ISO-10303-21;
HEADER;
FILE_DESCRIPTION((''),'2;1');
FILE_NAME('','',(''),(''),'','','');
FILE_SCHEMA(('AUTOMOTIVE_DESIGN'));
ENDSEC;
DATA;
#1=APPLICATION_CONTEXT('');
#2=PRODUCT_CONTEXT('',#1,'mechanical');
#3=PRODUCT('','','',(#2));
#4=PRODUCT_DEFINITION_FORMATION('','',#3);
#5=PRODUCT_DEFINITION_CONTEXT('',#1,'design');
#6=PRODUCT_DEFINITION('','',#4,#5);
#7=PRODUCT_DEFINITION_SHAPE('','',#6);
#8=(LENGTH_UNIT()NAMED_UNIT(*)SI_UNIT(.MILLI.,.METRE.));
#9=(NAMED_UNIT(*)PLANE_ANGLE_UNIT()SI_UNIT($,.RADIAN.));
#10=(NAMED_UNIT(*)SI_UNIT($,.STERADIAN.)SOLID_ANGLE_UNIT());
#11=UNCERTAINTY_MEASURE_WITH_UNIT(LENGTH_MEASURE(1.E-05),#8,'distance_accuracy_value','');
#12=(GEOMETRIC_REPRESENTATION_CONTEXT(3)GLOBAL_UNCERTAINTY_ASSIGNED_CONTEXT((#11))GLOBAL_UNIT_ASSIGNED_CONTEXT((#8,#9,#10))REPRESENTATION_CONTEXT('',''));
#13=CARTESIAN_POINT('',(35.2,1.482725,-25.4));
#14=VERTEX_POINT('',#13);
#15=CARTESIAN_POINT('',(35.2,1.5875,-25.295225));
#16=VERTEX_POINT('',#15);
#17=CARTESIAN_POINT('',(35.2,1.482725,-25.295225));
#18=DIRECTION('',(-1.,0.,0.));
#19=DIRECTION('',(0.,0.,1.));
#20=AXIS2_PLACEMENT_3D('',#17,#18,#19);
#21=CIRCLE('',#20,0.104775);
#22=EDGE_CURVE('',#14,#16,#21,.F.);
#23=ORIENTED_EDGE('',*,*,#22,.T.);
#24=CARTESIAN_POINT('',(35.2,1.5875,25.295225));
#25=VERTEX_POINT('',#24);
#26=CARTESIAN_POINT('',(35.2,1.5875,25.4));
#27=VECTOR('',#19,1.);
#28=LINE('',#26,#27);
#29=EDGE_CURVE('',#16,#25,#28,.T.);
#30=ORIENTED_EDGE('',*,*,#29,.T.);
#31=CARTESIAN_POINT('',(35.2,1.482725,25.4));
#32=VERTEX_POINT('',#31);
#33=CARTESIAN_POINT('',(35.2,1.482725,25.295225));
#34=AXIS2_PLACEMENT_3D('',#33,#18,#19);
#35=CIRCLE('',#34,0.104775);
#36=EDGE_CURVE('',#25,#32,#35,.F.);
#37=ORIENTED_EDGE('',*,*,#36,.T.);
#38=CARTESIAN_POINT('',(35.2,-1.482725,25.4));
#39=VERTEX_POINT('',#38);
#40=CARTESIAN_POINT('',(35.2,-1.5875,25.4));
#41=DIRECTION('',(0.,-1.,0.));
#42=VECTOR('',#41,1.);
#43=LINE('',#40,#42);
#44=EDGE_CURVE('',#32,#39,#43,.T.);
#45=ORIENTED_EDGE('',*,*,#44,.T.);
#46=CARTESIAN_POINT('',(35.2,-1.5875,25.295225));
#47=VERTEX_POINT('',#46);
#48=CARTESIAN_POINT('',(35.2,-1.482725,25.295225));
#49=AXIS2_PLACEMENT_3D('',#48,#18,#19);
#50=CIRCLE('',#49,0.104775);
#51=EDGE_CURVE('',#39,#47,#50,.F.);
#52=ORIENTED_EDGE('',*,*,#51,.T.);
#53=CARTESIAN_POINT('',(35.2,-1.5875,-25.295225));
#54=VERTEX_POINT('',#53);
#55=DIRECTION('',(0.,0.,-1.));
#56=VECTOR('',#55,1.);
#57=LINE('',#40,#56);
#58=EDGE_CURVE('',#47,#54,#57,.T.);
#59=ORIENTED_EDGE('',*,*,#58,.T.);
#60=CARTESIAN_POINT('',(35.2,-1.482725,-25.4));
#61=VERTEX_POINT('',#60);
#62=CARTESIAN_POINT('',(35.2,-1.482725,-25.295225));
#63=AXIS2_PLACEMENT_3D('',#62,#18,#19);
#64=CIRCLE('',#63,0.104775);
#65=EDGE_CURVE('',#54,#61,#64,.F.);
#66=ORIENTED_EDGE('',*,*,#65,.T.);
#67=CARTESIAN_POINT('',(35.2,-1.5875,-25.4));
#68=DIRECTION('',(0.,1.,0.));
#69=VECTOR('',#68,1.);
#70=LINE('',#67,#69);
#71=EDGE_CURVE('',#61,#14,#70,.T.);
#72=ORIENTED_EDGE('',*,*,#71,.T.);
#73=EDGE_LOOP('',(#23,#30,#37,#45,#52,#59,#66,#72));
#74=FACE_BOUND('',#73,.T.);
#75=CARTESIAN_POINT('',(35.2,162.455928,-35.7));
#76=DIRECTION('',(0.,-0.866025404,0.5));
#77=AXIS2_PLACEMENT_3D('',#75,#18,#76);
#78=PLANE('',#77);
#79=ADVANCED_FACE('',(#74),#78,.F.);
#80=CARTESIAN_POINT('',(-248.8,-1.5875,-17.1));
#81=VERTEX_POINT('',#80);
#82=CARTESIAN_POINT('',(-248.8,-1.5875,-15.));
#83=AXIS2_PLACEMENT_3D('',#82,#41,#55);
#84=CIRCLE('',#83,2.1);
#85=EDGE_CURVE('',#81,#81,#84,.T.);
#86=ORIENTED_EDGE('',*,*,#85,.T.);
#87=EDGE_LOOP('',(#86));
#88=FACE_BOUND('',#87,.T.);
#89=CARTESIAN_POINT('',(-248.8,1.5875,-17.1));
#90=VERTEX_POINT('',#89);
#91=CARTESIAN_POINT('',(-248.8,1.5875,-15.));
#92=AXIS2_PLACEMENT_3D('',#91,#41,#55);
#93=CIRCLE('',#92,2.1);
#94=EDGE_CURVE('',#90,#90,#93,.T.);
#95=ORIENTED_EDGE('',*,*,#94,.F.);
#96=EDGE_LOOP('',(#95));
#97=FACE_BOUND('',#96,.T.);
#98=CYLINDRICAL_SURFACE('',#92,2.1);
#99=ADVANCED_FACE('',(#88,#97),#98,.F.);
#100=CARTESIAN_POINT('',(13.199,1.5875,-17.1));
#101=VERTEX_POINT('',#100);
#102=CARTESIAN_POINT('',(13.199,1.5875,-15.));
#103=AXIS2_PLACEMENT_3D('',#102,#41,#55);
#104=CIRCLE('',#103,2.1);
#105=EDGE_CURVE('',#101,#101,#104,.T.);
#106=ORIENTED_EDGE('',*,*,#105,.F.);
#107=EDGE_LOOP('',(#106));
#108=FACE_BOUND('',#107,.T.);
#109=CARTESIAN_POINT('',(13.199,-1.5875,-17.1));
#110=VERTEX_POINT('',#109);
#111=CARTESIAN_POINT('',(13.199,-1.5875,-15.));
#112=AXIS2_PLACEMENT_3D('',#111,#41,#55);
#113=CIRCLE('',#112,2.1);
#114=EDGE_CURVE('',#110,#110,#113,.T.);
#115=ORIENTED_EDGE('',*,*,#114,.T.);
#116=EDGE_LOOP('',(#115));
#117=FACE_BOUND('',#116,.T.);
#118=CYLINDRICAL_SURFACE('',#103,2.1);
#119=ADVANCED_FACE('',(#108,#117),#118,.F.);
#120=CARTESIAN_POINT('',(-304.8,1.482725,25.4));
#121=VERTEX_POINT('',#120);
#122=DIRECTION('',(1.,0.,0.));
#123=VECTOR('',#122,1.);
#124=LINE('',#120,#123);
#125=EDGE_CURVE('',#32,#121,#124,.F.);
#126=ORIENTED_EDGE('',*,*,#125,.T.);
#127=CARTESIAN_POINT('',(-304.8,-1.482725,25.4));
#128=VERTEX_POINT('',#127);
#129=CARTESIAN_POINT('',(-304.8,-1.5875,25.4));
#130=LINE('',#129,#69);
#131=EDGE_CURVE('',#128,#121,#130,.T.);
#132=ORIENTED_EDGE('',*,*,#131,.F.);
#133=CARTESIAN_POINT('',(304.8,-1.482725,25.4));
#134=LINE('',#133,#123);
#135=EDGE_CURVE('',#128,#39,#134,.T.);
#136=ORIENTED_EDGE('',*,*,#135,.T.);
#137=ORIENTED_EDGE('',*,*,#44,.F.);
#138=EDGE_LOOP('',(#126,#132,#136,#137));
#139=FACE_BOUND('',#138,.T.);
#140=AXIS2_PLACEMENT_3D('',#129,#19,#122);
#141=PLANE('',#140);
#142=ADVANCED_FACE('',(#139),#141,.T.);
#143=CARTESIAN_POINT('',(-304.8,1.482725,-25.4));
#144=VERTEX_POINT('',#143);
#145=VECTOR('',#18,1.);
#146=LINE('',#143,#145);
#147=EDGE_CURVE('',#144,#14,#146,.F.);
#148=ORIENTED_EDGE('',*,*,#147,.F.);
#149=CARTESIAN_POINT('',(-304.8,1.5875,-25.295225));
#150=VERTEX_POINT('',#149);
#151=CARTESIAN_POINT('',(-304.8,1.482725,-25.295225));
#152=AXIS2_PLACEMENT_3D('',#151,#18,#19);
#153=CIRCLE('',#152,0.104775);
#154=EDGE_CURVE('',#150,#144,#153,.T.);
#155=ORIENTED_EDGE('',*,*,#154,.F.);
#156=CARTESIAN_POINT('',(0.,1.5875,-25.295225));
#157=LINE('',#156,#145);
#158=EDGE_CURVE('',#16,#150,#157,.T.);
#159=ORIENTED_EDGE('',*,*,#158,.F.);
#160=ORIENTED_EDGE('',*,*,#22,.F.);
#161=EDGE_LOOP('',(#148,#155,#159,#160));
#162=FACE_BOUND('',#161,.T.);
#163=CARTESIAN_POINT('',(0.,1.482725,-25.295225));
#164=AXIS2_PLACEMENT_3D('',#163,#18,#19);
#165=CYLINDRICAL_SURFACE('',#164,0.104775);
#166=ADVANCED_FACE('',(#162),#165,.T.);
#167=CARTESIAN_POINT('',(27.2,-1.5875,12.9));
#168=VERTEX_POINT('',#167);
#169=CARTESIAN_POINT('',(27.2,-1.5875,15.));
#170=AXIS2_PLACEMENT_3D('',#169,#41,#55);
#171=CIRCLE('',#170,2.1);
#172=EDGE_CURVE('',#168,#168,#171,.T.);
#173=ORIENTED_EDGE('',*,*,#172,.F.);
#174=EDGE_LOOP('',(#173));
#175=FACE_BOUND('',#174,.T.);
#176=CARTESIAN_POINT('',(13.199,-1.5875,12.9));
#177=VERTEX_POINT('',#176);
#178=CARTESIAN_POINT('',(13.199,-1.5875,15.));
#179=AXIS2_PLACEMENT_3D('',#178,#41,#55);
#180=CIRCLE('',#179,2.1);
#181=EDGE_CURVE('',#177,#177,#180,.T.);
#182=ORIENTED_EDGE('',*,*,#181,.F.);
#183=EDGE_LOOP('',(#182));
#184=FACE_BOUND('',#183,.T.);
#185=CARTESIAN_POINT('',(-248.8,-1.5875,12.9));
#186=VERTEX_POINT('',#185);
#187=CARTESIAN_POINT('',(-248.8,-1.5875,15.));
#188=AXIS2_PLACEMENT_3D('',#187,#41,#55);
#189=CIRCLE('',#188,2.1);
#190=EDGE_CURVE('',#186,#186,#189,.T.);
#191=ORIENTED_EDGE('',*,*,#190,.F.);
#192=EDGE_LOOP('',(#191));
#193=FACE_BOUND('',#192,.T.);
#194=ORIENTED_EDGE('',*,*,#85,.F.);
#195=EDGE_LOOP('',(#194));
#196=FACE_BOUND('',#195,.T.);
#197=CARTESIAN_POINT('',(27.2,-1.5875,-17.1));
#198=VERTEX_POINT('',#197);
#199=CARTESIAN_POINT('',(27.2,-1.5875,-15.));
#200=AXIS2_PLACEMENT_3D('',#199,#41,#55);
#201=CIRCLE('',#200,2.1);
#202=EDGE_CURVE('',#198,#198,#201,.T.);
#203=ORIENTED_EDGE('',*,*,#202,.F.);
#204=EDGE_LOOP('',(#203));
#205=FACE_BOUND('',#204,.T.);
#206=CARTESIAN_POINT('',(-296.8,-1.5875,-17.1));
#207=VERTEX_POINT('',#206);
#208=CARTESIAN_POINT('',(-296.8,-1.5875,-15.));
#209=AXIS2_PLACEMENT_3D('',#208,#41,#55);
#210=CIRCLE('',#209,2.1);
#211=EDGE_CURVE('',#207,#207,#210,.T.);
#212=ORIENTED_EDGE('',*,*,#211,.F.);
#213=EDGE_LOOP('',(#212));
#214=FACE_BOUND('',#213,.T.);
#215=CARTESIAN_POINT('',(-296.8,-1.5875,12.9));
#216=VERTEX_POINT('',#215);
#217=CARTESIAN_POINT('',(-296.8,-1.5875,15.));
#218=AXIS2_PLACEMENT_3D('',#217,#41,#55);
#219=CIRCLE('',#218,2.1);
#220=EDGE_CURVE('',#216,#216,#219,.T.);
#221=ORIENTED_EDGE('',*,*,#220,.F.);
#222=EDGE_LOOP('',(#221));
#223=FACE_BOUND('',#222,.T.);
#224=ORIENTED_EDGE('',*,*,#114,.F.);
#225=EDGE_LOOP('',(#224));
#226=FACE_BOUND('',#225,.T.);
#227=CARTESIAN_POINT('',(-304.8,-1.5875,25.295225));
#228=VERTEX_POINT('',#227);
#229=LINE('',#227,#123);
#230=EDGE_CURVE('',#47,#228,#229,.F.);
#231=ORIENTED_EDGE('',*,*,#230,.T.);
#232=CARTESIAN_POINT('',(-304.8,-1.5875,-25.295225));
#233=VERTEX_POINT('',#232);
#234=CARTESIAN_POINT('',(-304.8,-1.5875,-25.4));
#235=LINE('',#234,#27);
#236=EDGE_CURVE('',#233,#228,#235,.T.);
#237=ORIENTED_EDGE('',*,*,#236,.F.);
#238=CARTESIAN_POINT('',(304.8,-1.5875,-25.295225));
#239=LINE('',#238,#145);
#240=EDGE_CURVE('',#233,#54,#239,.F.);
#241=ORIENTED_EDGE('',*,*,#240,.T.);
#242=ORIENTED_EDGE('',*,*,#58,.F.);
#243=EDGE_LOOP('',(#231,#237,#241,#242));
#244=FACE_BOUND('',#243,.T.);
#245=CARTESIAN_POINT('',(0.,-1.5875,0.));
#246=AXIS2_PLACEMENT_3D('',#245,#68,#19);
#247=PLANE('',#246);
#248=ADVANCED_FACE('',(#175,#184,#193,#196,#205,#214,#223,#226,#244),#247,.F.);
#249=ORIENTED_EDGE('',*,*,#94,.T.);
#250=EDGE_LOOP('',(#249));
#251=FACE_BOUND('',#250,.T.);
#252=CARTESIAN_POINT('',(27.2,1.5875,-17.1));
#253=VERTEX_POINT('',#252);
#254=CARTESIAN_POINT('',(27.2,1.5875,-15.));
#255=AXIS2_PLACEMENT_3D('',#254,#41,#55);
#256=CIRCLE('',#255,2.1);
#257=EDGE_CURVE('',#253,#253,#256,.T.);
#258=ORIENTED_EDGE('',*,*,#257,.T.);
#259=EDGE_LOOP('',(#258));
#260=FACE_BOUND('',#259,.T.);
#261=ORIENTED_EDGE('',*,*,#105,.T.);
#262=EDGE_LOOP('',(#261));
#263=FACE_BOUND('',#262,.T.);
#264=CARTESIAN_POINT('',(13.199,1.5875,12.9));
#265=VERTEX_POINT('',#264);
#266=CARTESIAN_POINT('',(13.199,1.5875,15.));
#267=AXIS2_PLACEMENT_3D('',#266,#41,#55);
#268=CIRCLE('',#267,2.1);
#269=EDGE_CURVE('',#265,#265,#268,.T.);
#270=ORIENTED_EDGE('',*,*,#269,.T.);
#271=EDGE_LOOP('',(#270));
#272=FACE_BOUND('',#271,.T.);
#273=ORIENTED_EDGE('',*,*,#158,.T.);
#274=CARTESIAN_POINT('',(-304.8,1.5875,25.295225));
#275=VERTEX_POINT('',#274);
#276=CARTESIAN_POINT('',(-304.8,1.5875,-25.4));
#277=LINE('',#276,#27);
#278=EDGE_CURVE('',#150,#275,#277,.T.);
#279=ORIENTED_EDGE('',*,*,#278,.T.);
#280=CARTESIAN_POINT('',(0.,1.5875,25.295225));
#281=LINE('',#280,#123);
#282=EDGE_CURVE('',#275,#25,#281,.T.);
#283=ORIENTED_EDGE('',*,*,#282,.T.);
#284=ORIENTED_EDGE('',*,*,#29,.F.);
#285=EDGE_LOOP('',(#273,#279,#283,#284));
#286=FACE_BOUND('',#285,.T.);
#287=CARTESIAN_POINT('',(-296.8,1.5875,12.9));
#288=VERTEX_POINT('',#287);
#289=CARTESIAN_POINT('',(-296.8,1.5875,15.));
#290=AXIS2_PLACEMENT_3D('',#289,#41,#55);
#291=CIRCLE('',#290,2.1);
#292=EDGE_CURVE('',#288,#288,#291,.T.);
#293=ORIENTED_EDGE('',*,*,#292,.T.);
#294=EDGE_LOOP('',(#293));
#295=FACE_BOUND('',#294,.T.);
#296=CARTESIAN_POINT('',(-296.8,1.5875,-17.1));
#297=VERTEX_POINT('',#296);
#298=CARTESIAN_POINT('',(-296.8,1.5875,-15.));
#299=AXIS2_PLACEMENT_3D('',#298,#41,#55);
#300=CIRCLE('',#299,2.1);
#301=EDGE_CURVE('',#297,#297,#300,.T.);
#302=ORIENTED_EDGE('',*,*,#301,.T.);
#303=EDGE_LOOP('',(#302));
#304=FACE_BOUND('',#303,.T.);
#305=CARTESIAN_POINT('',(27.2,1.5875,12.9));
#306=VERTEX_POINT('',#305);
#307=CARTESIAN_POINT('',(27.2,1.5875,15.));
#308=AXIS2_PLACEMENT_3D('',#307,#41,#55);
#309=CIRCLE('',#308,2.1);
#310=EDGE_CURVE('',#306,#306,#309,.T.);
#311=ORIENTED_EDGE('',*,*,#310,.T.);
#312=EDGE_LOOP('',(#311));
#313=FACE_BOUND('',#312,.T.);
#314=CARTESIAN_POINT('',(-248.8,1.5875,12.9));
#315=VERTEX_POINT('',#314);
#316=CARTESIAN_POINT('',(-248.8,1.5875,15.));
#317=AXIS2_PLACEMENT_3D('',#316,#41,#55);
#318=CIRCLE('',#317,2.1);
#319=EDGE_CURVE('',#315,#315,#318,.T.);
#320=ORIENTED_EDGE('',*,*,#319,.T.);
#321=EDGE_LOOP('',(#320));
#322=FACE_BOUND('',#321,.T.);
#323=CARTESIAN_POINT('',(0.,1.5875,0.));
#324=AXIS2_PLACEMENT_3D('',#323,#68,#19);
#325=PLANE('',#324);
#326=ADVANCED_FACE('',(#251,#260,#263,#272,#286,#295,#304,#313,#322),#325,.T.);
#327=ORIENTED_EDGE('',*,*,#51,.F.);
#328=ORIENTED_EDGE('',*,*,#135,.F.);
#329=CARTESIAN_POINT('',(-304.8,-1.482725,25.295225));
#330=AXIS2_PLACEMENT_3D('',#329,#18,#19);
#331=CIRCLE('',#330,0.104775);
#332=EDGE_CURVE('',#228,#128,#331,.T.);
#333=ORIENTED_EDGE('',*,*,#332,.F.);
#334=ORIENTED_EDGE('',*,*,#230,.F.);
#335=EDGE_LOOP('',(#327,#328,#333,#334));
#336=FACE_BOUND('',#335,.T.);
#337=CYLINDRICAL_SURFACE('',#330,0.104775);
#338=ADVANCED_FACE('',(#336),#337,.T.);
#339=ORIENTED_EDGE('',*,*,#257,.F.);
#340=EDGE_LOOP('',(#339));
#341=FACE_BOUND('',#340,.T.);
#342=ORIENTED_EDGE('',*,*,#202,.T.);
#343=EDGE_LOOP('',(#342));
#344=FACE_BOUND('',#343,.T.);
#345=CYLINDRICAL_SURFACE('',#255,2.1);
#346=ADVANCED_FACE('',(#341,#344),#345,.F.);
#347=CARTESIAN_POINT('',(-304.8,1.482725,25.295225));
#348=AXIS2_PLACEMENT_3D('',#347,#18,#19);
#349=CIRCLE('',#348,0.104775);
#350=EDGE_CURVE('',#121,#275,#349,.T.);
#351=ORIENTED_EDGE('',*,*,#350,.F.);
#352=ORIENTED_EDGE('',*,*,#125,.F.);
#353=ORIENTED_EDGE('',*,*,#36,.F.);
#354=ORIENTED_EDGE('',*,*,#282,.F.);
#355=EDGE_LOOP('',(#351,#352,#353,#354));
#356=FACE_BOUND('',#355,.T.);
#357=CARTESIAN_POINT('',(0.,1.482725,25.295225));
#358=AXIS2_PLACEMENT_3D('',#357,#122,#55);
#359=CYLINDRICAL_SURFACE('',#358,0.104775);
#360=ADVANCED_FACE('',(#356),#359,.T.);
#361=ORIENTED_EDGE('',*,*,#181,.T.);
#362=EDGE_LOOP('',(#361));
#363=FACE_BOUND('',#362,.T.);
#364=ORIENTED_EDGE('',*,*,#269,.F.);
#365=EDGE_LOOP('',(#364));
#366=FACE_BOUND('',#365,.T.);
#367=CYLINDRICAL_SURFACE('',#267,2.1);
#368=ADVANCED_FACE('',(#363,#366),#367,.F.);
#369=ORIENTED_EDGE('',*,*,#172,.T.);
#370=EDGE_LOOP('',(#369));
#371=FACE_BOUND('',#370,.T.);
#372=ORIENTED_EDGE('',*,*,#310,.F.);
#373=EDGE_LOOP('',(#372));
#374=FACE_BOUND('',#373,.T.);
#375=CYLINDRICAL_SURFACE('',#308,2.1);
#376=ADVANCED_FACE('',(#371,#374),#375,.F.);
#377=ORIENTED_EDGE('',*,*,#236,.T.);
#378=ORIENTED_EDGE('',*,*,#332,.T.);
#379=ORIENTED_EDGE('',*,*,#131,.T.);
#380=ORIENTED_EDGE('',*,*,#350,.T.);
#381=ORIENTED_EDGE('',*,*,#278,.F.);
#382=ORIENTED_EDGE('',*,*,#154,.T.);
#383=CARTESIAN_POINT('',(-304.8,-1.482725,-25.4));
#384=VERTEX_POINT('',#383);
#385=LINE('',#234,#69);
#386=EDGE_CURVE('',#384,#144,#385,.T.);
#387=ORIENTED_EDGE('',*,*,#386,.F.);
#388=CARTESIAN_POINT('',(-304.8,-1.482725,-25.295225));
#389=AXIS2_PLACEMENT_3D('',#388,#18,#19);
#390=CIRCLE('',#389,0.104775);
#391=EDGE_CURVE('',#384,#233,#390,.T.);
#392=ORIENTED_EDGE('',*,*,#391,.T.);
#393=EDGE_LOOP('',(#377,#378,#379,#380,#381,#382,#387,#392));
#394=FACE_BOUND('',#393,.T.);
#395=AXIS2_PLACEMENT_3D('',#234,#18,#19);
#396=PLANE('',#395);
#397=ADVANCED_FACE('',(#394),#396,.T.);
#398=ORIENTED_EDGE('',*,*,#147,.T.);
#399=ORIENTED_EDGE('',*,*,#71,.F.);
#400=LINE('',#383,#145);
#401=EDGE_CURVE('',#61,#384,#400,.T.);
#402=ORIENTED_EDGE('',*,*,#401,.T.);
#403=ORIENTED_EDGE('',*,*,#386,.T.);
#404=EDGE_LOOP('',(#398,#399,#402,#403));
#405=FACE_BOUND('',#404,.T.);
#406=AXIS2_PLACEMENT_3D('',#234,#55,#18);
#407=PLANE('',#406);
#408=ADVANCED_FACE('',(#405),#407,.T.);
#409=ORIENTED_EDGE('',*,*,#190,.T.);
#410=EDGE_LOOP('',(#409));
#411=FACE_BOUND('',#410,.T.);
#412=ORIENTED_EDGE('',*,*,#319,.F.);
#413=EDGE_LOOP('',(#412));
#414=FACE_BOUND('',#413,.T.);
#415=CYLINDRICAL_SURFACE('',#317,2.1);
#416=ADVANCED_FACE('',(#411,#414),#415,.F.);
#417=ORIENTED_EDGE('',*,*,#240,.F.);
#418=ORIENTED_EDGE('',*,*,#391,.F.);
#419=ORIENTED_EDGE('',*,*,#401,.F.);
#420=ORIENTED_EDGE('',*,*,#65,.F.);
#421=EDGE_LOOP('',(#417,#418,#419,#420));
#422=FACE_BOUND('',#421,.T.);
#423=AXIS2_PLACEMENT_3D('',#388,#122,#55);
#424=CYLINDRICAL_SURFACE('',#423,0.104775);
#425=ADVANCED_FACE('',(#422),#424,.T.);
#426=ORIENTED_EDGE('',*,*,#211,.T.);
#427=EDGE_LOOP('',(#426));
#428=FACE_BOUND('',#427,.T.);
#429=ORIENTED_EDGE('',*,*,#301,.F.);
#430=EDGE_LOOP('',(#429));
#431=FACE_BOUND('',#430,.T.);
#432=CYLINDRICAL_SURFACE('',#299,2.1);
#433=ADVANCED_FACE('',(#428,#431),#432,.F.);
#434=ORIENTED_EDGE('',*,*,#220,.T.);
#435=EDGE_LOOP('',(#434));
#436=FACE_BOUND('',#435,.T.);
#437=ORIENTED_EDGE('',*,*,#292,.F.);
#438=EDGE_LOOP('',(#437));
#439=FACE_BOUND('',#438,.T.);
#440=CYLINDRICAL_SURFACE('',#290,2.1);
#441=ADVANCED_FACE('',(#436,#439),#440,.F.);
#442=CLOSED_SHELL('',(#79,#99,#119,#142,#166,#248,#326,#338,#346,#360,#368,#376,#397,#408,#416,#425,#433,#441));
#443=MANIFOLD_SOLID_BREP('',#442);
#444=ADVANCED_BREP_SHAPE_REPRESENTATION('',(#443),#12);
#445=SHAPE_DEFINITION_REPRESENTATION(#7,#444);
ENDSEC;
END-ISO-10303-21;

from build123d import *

# Parameters (mm, degrees)
SKETCH3_W                = 609.6
SKETCH3_H                = 50.8
BOSS_EXTRUDE1_DEPTH      = 1.5875
BOSS_EXTRUDE1_DEPTH_BACK = 1.5875
FILLET1_R                = 0.104775
CUT_EXTRUDE1_START       = -269.6
SKETCH4_W                = 50.8
SKETCH4_H                = 3.175
CUT_EXTRUDE1_DEPTH       = 269.6
SKETCH5_R                = 2.1
CUT_EXTRUDE2_DEPTH       = 4.175


with BuildPart() as part:
    # Sketch3 → Boss-Extrude1 (new body, two sides)
    with BuildSketch(Plane(origin=(0, 0, 0), x_dir=(1, 0, 0), z_dir=(0, 1, 0))) as boss_extrude1_sk:
        Rectangle(SKETCH3_W, SKETCH3_H)
    extrude(amount=BOSS_EXTRUDE1_DEPTH)
    extrude(boss_extrude1_sk.sketch, amount=-BOSS_EXTRUDE1_DEPTH_BACK)

    # Fillet1
    fillet1_edges = [part.edges().sort_by_distance(p)[0] for p in [
        (0, 1.5875, 25.4),
        (0, -1.5875, -25.4),
        (0, 1.5875, -25.4),
        (0, -1.5875, 25.4),
    ]]
    fillet(fillet1_edges, radius=FILLET1_R)

    # Sketch4 → Cut-Extrude1 (cut)
    with BuildSketch(Plane(origin=(304.8, 0, 0), x_dir=(0, 0, -1), z_dir=(1, 0, 0)).offset(CUT_EXTRUDE1_START)):
        Rectangle(SKETCH4_W, SKETCH4_H)
    extrude(amount=CUT_EXTRUDE1_DEPTH, mode=Mode.SUBTRACT)

    # Sketch5 → Cut-Extrude2 (cut, through all)
    with BuildSketch(Plane.XZ.offset(1.5875)):
        with Locations((27.2, -15)):
            Circle(SKETCH5_R)
        with Locations((27.2, 15)):
            Circle(SKETCH5_R)
        with Locations((13.199, 15)):
            Circle(SKETCH5_R)
        with Locations((13.199, -15)):
            Circle(SKETCH5_R)
        with Locations((-248.8, -15)):
            Circle(SKETCH5_R)
        with Locations((-248.8, 15)):
            Circle(SKETCH5_R)
        with Locations((-296.8, 15)):
            Circle(SKETCH5_R)
        with Locations((-296.8, -15)):
            Circle(SKETCH5_R)
    extrude(amount=-CUT_EXTRUDE2_DEPTH, mode=Mode.SUBTRACT)


solid = part.part
